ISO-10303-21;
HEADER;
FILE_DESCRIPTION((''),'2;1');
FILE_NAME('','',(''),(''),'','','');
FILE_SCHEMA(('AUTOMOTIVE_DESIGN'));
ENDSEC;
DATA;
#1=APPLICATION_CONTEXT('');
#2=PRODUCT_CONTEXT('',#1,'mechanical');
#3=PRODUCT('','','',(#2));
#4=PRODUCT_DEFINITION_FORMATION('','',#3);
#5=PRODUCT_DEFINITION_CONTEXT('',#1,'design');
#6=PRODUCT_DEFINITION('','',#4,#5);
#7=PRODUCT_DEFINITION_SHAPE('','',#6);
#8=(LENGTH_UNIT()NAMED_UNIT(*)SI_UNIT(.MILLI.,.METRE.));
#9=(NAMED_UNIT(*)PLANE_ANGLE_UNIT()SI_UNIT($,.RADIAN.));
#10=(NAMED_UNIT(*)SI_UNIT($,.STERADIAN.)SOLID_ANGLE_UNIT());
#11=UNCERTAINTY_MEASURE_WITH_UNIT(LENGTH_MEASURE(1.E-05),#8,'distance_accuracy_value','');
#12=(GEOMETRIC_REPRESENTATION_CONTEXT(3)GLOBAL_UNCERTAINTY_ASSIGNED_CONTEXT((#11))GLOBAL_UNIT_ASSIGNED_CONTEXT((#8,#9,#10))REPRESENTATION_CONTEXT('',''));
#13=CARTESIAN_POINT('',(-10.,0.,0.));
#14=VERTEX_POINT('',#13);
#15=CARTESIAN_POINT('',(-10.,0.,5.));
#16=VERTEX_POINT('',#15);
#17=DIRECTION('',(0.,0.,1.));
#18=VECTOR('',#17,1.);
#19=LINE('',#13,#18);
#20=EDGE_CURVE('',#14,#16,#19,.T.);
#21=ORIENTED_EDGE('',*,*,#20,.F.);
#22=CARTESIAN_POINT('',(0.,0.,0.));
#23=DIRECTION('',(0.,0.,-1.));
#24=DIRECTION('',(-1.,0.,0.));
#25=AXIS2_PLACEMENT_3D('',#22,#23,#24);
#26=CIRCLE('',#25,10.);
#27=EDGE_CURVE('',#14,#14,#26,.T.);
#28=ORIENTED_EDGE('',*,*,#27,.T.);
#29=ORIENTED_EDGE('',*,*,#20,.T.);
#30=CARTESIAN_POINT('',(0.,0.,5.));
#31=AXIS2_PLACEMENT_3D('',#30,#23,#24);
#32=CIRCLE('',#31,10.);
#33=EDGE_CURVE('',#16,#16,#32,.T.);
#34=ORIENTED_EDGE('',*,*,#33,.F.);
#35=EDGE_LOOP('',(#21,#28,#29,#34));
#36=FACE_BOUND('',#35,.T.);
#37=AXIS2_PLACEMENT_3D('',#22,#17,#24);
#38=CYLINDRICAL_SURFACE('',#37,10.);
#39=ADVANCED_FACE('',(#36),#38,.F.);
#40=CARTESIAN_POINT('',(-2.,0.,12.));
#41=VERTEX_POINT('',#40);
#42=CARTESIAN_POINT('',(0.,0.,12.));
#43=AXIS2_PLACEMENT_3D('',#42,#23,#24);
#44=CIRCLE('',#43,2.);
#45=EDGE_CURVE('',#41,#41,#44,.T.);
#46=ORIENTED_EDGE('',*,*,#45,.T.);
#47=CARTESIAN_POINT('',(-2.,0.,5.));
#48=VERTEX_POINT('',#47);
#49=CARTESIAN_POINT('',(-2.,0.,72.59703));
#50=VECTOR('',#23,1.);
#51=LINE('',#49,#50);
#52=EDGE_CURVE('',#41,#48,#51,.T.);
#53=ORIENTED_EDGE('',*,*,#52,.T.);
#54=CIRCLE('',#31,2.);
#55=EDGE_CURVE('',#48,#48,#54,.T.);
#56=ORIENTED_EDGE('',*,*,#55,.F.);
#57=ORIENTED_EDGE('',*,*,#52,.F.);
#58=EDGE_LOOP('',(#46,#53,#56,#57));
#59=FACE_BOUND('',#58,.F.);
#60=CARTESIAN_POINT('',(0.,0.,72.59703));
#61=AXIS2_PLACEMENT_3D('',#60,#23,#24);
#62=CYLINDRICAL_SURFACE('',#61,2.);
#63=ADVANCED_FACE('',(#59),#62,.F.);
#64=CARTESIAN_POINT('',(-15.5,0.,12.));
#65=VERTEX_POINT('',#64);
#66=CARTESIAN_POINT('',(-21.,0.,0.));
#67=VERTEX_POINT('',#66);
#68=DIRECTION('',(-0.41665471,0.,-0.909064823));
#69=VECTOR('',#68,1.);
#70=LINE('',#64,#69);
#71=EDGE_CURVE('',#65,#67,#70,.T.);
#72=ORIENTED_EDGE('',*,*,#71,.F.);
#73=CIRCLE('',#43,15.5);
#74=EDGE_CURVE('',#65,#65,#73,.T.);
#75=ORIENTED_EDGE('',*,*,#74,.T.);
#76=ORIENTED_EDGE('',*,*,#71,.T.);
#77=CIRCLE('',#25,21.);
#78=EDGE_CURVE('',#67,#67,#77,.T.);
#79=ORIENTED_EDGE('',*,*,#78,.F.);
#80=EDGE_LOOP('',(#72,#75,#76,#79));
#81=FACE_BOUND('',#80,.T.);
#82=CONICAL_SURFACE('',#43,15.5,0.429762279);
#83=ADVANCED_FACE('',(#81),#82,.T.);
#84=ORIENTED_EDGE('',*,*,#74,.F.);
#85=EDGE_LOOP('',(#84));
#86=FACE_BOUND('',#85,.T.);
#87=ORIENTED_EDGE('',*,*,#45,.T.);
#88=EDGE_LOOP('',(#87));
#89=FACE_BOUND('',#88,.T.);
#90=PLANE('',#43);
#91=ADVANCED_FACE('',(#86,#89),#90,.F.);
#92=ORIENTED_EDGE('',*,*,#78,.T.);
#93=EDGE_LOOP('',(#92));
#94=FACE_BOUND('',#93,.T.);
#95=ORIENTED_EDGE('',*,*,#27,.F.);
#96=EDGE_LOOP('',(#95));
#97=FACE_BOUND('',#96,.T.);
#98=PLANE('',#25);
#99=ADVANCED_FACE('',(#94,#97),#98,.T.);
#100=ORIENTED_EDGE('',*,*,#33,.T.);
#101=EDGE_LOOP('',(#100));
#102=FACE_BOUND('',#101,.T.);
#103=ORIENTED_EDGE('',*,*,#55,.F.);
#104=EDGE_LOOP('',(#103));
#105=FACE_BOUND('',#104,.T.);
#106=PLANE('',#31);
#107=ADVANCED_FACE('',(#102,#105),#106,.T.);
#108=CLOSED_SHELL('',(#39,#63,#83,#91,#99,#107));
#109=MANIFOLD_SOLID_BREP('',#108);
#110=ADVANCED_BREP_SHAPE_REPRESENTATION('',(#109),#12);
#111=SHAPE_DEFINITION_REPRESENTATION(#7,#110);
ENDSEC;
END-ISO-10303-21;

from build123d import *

# Parameters (mm, degrees)
F3_D = 4


with BuildPart() as f1:
    # F0 (on Front) → F1 (revolve)
    with BuildSketch(Plane.XZ):
        Polygon((-15.5, 12), (-21, 0), (-10, 0), (-10, 5), (0, 5), (0, 12), align=None)
    revolve(axis=Axis((0, 0, 8.5), (0, 0, -1)))

    # F3 (through all)
    with Locations(Plane.XY.offset(12)):
        with Locations((0, 0)):
            Hole(F3_D / 2)


solid = f1.part
